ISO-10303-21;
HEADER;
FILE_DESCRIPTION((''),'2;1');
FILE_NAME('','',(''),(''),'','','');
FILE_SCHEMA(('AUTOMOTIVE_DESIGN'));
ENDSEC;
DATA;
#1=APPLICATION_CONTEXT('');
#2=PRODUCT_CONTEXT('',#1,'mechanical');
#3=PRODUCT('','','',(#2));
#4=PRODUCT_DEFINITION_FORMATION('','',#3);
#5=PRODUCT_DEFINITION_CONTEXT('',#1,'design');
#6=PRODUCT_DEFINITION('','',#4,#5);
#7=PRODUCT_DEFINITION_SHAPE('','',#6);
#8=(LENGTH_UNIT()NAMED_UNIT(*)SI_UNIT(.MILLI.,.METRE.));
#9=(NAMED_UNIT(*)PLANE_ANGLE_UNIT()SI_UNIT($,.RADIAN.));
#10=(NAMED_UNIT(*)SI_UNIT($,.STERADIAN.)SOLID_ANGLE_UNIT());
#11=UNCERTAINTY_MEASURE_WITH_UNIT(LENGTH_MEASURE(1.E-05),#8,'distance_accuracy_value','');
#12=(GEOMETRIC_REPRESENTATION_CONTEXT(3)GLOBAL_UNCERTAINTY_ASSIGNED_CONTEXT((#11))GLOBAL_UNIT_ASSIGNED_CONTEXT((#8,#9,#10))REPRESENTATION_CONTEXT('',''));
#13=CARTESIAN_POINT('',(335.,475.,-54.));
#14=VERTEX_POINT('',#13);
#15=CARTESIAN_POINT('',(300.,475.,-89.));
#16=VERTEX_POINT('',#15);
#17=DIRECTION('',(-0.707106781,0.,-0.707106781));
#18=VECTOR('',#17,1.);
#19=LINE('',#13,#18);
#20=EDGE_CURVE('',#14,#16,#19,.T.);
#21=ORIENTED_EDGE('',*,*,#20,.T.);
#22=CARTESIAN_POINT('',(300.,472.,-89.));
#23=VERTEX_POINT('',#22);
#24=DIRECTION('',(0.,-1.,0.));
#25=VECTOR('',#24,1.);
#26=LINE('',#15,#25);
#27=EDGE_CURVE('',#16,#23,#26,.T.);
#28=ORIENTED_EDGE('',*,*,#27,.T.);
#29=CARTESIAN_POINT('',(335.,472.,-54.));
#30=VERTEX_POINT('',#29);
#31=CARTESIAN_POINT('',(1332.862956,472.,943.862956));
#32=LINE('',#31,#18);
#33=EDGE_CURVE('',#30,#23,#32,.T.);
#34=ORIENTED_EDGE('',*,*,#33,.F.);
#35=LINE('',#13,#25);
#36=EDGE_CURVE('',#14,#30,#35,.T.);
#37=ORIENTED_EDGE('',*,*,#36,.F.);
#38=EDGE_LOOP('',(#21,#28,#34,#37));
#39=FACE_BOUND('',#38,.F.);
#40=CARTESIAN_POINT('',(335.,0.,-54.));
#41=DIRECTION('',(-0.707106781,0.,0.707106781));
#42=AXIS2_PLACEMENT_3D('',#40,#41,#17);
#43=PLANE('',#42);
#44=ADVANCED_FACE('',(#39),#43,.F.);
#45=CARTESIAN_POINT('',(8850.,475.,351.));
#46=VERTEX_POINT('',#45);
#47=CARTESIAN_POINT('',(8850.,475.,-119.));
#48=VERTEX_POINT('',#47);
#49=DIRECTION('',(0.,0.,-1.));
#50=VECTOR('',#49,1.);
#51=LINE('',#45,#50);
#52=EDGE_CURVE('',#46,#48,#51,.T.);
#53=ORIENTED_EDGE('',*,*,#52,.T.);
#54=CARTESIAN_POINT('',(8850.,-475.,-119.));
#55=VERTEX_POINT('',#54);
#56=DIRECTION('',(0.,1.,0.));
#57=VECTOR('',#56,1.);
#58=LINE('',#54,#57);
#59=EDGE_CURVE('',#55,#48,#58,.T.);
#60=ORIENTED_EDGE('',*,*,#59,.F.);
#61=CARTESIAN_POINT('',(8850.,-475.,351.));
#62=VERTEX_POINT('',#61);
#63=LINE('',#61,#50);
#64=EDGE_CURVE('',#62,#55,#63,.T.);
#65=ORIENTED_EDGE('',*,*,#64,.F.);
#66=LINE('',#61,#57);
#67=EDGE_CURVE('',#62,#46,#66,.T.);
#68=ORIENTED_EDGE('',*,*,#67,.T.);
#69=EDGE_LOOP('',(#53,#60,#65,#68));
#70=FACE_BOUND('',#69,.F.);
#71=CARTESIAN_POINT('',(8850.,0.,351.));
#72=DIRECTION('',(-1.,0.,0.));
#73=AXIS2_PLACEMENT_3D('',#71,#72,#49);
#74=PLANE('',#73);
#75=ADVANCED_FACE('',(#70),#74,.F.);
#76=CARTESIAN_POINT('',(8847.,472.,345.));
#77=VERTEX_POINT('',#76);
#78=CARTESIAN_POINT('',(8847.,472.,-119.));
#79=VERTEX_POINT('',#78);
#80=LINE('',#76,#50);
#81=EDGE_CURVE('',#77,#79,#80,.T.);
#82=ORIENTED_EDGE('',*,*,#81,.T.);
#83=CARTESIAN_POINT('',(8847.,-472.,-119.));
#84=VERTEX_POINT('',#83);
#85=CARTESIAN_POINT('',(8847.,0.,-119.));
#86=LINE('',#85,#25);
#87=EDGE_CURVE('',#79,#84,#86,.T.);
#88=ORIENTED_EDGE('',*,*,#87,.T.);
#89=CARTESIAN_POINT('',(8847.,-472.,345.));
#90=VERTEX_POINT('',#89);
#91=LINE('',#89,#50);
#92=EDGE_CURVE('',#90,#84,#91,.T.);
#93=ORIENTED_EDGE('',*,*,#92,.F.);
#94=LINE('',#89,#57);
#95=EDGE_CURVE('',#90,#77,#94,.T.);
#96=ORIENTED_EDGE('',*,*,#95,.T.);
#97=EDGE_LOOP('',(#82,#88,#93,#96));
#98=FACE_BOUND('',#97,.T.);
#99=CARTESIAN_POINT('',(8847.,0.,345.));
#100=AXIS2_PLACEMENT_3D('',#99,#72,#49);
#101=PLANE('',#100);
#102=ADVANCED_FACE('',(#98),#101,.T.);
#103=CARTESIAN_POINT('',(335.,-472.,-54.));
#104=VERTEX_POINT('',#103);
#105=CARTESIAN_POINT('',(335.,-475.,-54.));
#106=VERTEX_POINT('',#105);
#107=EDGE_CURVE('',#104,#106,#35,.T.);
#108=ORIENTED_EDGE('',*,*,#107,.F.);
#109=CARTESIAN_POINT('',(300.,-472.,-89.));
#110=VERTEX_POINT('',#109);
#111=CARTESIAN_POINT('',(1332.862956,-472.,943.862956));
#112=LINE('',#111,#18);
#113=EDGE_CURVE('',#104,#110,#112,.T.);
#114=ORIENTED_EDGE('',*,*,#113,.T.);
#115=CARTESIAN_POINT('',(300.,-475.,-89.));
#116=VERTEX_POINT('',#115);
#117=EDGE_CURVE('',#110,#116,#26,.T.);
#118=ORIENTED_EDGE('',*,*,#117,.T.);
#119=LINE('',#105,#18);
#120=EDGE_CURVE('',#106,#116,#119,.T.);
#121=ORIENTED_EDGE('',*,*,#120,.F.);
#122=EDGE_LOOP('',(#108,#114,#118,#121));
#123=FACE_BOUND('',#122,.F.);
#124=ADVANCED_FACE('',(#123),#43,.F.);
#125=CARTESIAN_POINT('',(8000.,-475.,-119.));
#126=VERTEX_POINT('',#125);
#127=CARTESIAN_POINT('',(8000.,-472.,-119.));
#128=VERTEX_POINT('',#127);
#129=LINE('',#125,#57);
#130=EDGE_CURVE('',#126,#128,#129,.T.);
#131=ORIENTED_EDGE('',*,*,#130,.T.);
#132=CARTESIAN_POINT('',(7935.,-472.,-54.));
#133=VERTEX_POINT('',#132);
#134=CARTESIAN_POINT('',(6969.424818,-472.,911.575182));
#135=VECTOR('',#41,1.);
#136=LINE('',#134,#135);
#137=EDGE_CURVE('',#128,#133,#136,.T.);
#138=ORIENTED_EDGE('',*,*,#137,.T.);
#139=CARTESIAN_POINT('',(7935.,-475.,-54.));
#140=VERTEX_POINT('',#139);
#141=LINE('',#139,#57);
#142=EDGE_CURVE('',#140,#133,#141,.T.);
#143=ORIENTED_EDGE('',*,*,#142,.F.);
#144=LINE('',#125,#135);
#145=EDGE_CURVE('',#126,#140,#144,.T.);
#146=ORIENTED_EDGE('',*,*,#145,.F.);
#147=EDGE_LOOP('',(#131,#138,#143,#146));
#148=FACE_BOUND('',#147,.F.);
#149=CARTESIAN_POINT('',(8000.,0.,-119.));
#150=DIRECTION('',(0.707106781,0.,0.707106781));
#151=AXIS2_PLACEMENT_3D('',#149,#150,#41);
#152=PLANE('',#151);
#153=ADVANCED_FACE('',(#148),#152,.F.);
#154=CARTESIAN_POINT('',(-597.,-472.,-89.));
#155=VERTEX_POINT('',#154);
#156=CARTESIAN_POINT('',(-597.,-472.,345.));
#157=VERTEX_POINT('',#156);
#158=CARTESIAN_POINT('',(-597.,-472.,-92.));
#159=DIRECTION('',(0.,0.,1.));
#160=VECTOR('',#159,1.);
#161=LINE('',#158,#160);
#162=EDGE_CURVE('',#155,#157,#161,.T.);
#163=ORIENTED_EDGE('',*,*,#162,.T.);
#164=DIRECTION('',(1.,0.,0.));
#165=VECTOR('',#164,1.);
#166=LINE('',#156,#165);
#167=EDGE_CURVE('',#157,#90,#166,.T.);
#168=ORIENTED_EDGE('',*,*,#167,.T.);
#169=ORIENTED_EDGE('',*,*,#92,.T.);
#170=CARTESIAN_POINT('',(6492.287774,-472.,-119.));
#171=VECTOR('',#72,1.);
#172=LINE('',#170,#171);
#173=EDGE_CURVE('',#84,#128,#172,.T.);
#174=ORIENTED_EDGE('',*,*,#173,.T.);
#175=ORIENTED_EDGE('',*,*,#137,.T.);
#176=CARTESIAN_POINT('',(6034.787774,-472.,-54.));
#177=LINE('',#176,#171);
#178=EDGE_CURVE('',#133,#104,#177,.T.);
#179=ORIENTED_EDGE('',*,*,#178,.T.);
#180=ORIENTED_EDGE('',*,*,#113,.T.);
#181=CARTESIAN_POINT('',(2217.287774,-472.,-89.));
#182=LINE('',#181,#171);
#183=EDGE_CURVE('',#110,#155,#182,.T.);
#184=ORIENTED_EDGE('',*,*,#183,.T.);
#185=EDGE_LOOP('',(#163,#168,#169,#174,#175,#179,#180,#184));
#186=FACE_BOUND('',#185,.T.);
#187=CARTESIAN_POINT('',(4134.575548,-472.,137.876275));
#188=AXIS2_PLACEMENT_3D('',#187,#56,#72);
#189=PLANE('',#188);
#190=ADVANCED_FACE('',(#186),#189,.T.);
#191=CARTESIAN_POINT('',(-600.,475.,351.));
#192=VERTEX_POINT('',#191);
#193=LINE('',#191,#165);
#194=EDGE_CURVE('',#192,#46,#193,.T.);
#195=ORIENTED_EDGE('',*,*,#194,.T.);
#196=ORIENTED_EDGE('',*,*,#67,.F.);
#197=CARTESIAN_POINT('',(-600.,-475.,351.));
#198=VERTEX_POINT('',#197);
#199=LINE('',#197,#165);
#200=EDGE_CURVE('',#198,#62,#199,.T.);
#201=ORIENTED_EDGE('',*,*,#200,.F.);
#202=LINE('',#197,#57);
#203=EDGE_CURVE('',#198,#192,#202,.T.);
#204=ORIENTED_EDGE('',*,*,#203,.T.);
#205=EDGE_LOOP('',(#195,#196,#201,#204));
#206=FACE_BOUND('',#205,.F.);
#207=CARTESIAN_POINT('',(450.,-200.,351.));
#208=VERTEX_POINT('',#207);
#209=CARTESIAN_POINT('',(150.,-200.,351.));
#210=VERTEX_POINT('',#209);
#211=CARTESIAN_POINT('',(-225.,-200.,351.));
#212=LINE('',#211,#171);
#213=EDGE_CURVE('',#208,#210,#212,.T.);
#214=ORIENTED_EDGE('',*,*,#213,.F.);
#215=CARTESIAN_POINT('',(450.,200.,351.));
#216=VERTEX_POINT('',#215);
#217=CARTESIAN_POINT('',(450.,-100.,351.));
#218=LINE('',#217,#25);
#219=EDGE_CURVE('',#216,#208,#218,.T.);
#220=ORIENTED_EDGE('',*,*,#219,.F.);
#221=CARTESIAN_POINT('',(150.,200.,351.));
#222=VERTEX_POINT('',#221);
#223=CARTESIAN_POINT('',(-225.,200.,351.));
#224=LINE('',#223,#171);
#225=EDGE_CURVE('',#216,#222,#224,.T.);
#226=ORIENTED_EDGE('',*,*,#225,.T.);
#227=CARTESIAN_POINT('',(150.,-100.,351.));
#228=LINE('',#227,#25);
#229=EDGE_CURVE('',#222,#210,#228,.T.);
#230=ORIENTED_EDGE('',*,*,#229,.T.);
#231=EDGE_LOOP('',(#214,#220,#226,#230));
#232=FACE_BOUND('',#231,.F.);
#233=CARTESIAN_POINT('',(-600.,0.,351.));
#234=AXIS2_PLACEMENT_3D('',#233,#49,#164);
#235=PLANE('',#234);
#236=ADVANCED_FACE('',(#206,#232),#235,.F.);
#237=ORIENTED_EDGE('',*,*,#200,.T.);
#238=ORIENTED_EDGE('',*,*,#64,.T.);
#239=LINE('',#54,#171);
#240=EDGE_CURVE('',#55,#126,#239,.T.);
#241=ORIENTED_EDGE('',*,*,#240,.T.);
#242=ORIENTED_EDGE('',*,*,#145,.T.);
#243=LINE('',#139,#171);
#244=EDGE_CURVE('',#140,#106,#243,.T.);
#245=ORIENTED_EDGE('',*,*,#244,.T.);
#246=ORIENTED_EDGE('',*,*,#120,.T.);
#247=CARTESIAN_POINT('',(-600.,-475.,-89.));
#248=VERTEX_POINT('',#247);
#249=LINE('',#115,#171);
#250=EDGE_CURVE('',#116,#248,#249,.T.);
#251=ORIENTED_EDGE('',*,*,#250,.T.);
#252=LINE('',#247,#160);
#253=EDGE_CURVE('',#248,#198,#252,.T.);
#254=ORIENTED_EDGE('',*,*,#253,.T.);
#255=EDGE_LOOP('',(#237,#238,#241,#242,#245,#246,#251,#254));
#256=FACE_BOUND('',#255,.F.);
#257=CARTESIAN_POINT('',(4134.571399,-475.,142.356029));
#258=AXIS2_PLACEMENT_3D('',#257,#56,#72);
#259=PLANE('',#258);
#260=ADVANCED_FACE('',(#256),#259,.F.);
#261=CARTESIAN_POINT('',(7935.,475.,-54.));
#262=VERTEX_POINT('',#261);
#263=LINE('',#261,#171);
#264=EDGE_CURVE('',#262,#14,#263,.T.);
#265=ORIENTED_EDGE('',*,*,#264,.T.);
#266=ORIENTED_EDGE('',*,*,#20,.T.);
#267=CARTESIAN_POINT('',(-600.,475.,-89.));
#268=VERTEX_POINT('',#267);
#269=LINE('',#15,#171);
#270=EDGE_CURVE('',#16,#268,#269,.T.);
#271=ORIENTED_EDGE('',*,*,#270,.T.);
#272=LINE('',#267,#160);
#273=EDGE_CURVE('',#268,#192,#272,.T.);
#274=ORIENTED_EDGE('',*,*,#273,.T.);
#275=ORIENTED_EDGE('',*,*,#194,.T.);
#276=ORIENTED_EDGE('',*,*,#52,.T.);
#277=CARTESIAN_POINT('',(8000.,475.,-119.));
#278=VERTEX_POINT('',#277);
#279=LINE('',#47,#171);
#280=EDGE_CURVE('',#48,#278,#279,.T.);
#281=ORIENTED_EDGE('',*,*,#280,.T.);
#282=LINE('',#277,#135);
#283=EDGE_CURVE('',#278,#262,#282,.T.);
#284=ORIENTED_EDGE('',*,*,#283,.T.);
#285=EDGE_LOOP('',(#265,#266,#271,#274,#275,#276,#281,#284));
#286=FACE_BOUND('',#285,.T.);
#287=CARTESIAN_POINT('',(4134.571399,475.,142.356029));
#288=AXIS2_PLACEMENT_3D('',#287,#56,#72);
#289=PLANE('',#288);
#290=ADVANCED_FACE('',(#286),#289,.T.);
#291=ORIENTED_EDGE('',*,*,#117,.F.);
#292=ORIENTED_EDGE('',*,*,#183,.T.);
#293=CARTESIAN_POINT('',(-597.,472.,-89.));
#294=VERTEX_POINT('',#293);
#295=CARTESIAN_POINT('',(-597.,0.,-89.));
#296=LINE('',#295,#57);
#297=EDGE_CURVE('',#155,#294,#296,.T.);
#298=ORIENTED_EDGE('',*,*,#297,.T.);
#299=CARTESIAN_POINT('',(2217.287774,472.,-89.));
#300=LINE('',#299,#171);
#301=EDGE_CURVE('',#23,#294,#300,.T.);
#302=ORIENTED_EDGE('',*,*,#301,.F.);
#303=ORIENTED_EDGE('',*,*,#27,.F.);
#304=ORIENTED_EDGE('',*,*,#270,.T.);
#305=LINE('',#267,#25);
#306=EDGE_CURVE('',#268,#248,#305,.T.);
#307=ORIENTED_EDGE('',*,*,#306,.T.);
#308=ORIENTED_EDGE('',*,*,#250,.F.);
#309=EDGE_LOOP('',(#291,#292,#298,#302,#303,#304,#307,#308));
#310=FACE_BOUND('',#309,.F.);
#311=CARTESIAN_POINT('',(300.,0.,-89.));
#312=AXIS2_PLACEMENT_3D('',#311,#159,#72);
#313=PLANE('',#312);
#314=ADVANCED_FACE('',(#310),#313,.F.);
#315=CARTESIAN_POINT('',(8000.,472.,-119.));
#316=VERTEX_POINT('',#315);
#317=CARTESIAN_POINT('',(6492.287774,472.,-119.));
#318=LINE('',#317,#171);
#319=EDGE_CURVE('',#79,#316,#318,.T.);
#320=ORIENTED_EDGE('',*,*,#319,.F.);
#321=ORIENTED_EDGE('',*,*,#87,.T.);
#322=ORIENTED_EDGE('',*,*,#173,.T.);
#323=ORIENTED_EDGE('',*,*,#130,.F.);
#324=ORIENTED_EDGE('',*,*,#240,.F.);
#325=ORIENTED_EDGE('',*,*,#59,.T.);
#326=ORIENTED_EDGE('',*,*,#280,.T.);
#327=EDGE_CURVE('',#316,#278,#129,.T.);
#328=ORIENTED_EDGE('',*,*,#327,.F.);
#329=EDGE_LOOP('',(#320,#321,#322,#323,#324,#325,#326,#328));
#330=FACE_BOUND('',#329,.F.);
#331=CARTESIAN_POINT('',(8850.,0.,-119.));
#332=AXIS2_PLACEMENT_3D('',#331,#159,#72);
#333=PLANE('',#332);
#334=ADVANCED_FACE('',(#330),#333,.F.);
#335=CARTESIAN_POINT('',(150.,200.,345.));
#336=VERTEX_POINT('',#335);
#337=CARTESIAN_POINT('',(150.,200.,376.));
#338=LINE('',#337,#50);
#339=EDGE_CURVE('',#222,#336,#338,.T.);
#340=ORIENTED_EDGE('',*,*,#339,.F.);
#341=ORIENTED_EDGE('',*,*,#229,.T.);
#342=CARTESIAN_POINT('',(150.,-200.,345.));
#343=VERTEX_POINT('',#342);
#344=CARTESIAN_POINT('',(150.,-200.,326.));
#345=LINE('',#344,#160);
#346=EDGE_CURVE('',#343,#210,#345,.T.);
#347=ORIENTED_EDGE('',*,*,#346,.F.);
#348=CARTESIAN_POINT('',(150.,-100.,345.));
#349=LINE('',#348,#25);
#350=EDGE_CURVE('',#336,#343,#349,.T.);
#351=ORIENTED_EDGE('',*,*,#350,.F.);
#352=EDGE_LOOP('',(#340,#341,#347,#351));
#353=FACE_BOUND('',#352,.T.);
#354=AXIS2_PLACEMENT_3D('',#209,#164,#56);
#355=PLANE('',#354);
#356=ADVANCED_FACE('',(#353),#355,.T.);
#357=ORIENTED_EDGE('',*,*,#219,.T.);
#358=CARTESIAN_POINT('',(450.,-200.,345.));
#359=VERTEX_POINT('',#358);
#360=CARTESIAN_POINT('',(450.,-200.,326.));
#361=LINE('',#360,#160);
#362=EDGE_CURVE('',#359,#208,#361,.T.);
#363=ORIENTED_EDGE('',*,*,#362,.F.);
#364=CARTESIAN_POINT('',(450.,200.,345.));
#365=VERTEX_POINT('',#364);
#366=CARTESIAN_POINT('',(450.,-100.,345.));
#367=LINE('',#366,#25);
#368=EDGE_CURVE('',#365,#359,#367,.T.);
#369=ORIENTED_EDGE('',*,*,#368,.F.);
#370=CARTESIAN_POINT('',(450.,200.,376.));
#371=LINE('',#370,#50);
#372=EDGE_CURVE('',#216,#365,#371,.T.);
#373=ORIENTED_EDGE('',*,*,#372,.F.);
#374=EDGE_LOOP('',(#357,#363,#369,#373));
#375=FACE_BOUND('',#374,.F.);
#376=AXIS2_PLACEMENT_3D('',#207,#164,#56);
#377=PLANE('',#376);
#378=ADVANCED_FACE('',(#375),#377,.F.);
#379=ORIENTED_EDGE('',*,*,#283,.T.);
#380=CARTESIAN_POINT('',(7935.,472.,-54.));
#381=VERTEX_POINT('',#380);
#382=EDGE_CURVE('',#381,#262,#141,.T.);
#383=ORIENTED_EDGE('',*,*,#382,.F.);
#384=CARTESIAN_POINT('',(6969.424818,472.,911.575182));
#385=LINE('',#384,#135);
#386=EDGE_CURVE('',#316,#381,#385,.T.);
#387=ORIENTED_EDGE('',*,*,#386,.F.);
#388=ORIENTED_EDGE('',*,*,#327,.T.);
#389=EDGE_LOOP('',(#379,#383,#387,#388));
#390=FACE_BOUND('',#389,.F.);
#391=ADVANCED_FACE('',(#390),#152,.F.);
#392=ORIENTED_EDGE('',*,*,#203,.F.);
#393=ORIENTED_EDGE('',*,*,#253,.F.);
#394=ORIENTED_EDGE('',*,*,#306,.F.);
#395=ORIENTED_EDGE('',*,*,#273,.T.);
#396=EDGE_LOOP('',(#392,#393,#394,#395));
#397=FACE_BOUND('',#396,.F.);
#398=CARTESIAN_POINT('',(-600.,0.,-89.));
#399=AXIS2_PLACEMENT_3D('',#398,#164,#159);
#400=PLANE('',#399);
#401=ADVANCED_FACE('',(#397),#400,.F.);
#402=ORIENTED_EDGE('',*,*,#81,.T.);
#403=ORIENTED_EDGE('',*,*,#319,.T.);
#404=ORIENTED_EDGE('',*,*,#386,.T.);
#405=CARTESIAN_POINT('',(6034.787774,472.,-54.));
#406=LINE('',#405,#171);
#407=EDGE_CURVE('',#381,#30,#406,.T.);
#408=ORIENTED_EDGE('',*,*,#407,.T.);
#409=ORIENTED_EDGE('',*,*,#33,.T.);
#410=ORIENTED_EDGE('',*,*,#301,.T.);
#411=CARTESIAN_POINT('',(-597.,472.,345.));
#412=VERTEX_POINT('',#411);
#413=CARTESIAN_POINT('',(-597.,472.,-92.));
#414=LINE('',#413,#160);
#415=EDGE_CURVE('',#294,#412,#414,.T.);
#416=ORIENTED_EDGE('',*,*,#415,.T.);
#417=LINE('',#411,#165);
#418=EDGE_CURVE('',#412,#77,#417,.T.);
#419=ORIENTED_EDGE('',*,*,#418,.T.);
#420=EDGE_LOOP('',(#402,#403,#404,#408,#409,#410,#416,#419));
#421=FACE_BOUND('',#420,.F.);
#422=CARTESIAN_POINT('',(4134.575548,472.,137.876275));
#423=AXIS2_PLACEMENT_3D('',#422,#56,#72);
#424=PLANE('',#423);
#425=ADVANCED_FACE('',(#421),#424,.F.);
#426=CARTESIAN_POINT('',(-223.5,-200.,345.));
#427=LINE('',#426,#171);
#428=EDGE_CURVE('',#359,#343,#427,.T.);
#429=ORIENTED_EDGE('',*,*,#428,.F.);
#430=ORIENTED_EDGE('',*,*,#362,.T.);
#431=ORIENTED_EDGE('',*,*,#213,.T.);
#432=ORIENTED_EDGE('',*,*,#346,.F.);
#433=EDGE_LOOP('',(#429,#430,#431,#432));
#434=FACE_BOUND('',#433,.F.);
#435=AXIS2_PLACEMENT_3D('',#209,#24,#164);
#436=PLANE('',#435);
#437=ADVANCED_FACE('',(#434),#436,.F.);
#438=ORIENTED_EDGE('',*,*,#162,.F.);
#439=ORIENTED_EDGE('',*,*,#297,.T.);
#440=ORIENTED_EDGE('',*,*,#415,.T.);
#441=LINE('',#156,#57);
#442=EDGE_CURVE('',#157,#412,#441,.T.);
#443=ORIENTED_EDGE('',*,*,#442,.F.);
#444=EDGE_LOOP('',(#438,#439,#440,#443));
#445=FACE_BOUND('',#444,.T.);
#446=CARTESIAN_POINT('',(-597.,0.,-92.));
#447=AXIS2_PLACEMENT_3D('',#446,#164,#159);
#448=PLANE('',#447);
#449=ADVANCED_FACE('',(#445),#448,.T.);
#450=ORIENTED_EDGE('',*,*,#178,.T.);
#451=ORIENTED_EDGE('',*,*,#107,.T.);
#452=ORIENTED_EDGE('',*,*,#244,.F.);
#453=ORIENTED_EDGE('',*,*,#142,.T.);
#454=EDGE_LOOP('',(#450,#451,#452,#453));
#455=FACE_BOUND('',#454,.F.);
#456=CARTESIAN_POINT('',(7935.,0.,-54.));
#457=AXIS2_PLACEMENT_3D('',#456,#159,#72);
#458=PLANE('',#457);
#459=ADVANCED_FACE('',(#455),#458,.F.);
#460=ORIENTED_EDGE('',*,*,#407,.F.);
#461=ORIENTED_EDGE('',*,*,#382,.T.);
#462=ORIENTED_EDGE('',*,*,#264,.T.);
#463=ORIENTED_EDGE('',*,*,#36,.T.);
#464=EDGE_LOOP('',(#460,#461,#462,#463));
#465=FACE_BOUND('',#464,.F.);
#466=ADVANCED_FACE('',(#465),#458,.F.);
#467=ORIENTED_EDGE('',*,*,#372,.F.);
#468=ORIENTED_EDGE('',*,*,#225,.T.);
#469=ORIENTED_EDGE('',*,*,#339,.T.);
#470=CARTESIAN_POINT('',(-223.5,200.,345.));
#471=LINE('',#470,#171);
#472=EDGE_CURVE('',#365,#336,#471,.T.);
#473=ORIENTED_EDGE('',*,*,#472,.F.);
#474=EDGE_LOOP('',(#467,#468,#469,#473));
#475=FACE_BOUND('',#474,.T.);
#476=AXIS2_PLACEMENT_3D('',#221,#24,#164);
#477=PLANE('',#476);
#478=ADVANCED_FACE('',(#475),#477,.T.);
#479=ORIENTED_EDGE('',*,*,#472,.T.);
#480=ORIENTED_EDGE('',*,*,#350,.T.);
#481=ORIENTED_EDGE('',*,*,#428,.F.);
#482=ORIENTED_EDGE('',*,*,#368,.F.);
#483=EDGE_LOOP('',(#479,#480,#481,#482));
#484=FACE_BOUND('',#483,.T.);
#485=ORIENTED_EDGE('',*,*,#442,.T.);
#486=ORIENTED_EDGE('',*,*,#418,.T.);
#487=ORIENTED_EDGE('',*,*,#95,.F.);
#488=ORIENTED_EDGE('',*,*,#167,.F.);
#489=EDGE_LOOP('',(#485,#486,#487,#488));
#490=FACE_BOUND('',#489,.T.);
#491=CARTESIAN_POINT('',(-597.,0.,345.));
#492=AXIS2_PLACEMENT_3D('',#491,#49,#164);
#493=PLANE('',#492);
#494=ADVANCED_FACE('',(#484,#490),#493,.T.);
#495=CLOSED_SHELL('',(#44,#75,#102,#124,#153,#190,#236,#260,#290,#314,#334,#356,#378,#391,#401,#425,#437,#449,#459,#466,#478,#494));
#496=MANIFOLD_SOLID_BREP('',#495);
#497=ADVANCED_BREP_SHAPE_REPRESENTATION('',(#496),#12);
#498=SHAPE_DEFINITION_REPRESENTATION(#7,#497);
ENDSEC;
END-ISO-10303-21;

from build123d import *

# Parameters (mm, degrees)
SKETCH061_W      = 300
SKETCH061_H      = 400
EXTRUDE035_DEPTH = 25
EXTRUDE034_DEPTH = 472
EXTRUDE012_DEPTH = 475


with BuildPart() as extrude035:
    # Sketch061 (on Face3 of Cut005) → Extrude035 (new body, symmetric)
    with BuildSketch(Plane.XY.offset(351)):
        with Locations((300, 0)):
            Rectangle(SKETCH061_W, SKETCH061_H)
    extrude(amount=EXTRUDE035_DEPTH, both=True)


with BuildPart() as extrude034:
    # Sketch060 → Extrude034 (new body, symmetric)
    with BuildSketch(Plane.XZ):
        Polygon((-597, -89), (-597, 348), (8847, 348), (8847, -119), (8000, -119), (7935, -54), (335, -54), (300, -89), align=None)
    extrude(amount=EXTRUDE034_DEPTH, both=True)


with BuildPart() as extrude034_1:
    # Extrude034 placement: moved
    add(extrude034.part.moved(Location((0, 0, -3))))


with BuildPart() as cut007:
    # Sketch020 → Extrude012 (new body, symmetric)
    with BuildSketch(Plane.XZ):
        Polygon((-600, -89), (-600, 351), (8850, 351), (8850, -119), (8000, -119), (7935, -54), (335, -54), (300, -89), align=None)
    extrude(amount=EXTRUDE012_DEPTH, both=True)

    # Cut005: cut Extrude034
    add(extrude034_1.part, mode=Mode.SUBTRACT)

    # Cut007: cut Extrude035
    add(extrude035.part, mode=Mode.SUBTRACT)


solid = cut007.part
